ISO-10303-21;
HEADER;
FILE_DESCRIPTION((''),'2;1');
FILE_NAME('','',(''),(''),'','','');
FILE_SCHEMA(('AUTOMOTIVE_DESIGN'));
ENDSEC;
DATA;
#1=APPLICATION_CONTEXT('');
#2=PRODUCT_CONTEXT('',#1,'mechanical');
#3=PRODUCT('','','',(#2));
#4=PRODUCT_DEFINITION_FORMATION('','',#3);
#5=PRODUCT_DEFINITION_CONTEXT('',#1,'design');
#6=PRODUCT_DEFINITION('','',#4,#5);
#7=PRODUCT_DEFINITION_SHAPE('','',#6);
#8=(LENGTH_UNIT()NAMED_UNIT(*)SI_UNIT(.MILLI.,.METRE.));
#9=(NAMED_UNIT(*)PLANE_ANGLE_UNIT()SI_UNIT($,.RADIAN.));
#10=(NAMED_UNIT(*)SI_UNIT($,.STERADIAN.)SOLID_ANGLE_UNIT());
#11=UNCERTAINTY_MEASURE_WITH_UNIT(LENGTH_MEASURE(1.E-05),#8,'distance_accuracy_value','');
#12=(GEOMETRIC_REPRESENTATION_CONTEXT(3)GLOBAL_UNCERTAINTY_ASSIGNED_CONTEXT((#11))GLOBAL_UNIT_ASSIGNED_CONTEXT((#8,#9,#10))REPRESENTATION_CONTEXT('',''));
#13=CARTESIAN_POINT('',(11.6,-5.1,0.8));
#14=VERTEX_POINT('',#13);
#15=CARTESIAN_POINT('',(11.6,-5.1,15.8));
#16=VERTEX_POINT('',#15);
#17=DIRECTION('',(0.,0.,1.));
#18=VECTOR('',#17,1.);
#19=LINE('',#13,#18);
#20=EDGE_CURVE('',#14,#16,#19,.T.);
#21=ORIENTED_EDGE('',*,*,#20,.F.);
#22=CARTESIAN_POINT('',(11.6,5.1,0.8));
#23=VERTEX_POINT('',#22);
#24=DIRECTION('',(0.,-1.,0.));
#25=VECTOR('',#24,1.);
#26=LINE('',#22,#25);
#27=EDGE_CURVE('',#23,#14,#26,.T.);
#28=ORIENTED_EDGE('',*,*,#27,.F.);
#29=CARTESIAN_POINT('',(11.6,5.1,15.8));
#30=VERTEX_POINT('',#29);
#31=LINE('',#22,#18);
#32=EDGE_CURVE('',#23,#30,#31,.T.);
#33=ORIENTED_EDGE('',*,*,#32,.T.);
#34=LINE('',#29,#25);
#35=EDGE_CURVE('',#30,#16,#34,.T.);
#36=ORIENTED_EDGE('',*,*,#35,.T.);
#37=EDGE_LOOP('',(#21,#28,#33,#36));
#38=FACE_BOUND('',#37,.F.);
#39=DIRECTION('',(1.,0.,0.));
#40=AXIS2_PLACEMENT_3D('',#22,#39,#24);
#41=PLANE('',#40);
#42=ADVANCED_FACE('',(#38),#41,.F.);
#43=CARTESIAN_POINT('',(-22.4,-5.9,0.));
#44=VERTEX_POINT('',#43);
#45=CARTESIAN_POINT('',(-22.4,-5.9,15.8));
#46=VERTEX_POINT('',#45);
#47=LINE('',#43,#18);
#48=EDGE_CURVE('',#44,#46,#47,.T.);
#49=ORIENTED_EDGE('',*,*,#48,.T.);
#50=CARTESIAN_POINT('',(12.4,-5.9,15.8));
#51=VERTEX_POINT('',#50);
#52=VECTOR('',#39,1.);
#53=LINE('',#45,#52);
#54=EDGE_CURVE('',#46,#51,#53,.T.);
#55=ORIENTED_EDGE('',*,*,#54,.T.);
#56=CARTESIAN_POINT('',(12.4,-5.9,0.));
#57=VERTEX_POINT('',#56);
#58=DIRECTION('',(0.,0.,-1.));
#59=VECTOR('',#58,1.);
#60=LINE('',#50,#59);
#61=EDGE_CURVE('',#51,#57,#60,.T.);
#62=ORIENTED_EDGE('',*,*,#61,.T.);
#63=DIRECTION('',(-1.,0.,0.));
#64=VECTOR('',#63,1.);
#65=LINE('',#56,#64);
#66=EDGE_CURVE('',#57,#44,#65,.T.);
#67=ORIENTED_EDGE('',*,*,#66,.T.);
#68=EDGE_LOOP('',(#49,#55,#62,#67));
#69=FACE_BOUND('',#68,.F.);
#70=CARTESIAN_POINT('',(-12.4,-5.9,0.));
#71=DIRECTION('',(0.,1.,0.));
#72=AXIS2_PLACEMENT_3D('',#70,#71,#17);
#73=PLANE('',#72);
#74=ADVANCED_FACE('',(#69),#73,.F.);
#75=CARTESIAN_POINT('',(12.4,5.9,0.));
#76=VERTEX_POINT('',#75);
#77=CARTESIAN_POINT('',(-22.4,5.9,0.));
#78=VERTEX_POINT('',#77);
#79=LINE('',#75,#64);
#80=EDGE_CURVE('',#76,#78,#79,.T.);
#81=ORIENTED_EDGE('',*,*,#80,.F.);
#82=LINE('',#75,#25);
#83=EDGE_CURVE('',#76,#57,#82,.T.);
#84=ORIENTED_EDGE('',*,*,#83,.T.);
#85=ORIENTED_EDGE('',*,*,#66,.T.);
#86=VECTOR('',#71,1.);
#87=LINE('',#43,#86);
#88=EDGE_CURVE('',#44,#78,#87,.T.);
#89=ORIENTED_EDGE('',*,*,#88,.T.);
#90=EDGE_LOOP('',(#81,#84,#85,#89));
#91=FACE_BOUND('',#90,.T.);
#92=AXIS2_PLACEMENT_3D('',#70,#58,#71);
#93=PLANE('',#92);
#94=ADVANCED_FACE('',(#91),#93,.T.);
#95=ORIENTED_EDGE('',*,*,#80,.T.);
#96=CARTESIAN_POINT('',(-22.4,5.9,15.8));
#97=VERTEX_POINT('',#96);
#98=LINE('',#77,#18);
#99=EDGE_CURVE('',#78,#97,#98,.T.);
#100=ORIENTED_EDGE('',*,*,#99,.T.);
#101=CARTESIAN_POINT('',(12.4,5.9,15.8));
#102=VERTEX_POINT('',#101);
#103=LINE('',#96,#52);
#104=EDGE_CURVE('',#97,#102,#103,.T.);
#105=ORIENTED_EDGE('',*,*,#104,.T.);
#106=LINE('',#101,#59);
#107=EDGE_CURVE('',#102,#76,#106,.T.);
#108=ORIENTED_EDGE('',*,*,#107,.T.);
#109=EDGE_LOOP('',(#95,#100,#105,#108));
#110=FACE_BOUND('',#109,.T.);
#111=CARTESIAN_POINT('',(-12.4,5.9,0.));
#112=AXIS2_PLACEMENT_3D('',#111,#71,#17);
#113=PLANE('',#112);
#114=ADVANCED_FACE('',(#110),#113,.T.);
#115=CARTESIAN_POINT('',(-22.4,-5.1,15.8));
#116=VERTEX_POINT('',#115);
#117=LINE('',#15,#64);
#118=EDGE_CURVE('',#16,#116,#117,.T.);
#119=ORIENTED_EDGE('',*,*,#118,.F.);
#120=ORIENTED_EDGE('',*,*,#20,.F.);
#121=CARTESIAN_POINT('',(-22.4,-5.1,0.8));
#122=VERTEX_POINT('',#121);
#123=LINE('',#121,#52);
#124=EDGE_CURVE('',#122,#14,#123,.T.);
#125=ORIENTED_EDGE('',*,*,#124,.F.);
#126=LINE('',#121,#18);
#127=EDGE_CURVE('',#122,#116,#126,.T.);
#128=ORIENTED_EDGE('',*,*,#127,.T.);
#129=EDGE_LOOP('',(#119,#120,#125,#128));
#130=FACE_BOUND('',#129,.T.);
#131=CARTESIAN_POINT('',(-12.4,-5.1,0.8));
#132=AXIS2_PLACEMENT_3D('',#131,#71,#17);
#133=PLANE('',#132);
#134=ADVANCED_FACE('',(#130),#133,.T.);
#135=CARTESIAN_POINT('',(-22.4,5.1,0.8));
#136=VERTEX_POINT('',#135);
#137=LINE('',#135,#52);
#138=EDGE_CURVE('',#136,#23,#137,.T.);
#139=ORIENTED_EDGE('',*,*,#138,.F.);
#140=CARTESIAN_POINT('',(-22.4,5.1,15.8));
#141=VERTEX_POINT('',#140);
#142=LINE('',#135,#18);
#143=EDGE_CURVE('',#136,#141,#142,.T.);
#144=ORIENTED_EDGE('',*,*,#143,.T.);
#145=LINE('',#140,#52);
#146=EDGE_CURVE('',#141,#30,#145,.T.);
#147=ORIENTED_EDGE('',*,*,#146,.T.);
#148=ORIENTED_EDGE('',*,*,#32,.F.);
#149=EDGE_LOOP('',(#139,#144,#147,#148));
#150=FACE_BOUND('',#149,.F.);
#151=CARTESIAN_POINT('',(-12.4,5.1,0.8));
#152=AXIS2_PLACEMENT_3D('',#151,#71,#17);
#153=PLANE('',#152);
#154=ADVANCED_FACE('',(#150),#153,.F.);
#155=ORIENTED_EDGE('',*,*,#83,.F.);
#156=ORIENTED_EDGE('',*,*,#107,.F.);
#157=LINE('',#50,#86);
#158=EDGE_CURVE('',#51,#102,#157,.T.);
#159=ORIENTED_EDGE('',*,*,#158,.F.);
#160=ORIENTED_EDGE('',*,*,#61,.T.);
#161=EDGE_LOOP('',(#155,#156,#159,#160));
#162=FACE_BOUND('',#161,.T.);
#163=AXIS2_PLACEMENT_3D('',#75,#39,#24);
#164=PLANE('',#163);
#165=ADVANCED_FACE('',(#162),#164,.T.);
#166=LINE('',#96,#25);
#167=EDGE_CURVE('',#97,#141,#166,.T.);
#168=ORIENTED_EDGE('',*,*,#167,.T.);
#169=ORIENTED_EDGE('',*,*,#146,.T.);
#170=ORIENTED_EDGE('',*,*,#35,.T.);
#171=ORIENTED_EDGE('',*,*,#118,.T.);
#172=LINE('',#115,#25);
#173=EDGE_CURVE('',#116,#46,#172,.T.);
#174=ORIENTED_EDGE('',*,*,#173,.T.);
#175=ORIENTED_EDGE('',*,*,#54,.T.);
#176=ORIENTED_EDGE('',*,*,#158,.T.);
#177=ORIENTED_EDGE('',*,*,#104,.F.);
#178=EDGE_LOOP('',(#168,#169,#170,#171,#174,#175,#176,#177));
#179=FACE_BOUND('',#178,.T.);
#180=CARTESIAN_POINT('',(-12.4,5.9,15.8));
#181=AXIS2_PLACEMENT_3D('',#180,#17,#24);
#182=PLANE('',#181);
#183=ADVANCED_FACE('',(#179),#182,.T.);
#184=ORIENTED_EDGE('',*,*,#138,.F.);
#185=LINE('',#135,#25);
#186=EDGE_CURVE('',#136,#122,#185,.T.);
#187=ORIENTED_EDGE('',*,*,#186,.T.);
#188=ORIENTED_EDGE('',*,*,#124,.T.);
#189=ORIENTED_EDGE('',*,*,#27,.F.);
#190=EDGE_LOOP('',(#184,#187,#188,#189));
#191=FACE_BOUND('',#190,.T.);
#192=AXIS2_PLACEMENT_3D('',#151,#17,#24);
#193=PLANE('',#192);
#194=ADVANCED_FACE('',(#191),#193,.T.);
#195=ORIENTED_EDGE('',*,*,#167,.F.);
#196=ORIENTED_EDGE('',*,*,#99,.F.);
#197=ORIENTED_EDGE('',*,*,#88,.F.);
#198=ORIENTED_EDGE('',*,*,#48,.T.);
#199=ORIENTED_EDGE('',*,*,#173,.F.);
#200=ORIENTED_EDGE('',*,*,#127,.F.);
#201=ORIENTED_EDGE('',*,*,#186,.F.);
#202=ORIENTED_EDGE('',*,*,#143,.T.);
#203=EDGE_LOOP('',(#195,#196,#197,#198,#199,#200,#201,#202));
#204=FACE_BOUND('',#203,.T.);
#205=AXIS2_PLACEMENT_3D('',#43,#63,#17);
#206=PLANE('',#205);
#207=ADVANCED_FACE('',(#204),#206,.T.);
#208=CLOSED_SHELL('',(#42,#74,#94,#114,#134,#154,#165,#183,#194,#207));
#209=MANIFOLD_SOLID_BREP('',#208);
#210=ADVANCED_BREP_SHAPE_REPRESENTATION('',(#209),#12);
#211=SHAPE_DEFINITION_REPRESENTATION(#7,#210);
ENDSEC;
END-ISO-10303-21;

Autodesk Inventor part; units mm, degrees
ref_plane "YZ Plane" through (0, 0, 0) normal (1, 0, 0) x (0, 1, 0)
ref_plane "XZ Plane" through (0, 0, 0) normal (0, 1, 0) x (-1, 0, 0)
ref_plane "XY Plane" through (0, 0, 0) normal (0, 0, 1) x (1, 0, 0)
sketch "Sketch6" plane through (0, 0, 0) normal (0, 0, 1) x (1, 0, 0)
  line L0 (-12.4, 5.9) -> (12.4, 5.9)
  line L1 (12.4, 5.9) -> (12.4, -5.9)
  line L2 (12.4, -5.9) -> (-12.4, -5.9)
  line L3 (-12.4, -5.9) -> (-12.4, 5.9)
  point P0 (0, 0)
  point P1 (-12.4, 0)
  point P2 (0, 5.9)
  dimension "d85" = 11.8
  dimension "d86" = 24.8
extrude "Extrusion3" add sketch "Sketch6" along normal blind 0.8
sketch "Sketch7" plane through (0, 0, 0.8) normal (0, 0, 1) x (1, 0, 0)
  point P0 (0, 0)
sketch "Sketch8" plane through (0, 0, 0.8) normal (0, 0, 1) x (1, 0, 0)
  line L0 (12.4, 5.9) -> (-12.4, 5.9) projected
  line L1 (-12.4, -5.9) -> (12.4, -5.9) projected
  line L2 (-12.4, 5.9) -> (-10.5276, 5.9)
  line L3 (-10.5276, -5.9) -> (-12.4, -5.9)
  line L4 (-12.4, -5.9) -> (-12.4, 5.9)
  line L5 (12.4, -5.9) -> (-10.5276, -5.9)
  line L6 (12.4163, 5.9) -> (10.7456, 5.9)
  line L7 (-12.4, 5.1) -> (11.6, 5.1)
  line L8 (11.6, 5.1) -> (11.6, -5.1)
  line L9 (11.6, -5.1) -> (-12.4, -5.1)
  line L10 (12.4, -5.9) -> (12.4, 5.9) projected
  point P0 (0, 0)
  dimension "d89" = 0.8
  dimension "d91" = 0.8
  dimension "d92" = 0.8
extrude "Extrusion4" add sketch "Sketch8" along normal blind 15 contours L10 L1 L4 L9 L8 L7 L0
sketch "Sketch9" plane through (-12.4, -5.9, 0) normal (-1, 0, 0) x (0, 0, 1)
  line L0 (0, 11.8) -> (15.8, 11.8) projected
  line L1 (0.8, 11) -> (15.8, 11) projected
  line L2 (15.8, 11.8) -> (15.8, 11)
  line L3 (15.8, 11) -> (0.8, 11)
  line L4 (0.8, 0.8) -> (15.8, 0.8) projected
  line L5 (0.8, 11) -> (0.8, 0.8)
  line L6 (0.8, 0.8) -> (15.8, 0.8)
  line L7 (0, 0) -> (15.8, 0) projected
  line L8 (15.8, 0.8) -> (15.8, 0)
  line L9 (15.8, 0) -> (0, 0)
  line L10 (0, 0) -> (0, 11.8)
  line L11 (0, 11.8) -> (15.8, 11.8)
  point P0 (0, 5.9)
  dimension "d95" = 0.8
extrude "Extrusion5" add sketch "Sketch9" along normal blind 10
properties part number "emax box"
